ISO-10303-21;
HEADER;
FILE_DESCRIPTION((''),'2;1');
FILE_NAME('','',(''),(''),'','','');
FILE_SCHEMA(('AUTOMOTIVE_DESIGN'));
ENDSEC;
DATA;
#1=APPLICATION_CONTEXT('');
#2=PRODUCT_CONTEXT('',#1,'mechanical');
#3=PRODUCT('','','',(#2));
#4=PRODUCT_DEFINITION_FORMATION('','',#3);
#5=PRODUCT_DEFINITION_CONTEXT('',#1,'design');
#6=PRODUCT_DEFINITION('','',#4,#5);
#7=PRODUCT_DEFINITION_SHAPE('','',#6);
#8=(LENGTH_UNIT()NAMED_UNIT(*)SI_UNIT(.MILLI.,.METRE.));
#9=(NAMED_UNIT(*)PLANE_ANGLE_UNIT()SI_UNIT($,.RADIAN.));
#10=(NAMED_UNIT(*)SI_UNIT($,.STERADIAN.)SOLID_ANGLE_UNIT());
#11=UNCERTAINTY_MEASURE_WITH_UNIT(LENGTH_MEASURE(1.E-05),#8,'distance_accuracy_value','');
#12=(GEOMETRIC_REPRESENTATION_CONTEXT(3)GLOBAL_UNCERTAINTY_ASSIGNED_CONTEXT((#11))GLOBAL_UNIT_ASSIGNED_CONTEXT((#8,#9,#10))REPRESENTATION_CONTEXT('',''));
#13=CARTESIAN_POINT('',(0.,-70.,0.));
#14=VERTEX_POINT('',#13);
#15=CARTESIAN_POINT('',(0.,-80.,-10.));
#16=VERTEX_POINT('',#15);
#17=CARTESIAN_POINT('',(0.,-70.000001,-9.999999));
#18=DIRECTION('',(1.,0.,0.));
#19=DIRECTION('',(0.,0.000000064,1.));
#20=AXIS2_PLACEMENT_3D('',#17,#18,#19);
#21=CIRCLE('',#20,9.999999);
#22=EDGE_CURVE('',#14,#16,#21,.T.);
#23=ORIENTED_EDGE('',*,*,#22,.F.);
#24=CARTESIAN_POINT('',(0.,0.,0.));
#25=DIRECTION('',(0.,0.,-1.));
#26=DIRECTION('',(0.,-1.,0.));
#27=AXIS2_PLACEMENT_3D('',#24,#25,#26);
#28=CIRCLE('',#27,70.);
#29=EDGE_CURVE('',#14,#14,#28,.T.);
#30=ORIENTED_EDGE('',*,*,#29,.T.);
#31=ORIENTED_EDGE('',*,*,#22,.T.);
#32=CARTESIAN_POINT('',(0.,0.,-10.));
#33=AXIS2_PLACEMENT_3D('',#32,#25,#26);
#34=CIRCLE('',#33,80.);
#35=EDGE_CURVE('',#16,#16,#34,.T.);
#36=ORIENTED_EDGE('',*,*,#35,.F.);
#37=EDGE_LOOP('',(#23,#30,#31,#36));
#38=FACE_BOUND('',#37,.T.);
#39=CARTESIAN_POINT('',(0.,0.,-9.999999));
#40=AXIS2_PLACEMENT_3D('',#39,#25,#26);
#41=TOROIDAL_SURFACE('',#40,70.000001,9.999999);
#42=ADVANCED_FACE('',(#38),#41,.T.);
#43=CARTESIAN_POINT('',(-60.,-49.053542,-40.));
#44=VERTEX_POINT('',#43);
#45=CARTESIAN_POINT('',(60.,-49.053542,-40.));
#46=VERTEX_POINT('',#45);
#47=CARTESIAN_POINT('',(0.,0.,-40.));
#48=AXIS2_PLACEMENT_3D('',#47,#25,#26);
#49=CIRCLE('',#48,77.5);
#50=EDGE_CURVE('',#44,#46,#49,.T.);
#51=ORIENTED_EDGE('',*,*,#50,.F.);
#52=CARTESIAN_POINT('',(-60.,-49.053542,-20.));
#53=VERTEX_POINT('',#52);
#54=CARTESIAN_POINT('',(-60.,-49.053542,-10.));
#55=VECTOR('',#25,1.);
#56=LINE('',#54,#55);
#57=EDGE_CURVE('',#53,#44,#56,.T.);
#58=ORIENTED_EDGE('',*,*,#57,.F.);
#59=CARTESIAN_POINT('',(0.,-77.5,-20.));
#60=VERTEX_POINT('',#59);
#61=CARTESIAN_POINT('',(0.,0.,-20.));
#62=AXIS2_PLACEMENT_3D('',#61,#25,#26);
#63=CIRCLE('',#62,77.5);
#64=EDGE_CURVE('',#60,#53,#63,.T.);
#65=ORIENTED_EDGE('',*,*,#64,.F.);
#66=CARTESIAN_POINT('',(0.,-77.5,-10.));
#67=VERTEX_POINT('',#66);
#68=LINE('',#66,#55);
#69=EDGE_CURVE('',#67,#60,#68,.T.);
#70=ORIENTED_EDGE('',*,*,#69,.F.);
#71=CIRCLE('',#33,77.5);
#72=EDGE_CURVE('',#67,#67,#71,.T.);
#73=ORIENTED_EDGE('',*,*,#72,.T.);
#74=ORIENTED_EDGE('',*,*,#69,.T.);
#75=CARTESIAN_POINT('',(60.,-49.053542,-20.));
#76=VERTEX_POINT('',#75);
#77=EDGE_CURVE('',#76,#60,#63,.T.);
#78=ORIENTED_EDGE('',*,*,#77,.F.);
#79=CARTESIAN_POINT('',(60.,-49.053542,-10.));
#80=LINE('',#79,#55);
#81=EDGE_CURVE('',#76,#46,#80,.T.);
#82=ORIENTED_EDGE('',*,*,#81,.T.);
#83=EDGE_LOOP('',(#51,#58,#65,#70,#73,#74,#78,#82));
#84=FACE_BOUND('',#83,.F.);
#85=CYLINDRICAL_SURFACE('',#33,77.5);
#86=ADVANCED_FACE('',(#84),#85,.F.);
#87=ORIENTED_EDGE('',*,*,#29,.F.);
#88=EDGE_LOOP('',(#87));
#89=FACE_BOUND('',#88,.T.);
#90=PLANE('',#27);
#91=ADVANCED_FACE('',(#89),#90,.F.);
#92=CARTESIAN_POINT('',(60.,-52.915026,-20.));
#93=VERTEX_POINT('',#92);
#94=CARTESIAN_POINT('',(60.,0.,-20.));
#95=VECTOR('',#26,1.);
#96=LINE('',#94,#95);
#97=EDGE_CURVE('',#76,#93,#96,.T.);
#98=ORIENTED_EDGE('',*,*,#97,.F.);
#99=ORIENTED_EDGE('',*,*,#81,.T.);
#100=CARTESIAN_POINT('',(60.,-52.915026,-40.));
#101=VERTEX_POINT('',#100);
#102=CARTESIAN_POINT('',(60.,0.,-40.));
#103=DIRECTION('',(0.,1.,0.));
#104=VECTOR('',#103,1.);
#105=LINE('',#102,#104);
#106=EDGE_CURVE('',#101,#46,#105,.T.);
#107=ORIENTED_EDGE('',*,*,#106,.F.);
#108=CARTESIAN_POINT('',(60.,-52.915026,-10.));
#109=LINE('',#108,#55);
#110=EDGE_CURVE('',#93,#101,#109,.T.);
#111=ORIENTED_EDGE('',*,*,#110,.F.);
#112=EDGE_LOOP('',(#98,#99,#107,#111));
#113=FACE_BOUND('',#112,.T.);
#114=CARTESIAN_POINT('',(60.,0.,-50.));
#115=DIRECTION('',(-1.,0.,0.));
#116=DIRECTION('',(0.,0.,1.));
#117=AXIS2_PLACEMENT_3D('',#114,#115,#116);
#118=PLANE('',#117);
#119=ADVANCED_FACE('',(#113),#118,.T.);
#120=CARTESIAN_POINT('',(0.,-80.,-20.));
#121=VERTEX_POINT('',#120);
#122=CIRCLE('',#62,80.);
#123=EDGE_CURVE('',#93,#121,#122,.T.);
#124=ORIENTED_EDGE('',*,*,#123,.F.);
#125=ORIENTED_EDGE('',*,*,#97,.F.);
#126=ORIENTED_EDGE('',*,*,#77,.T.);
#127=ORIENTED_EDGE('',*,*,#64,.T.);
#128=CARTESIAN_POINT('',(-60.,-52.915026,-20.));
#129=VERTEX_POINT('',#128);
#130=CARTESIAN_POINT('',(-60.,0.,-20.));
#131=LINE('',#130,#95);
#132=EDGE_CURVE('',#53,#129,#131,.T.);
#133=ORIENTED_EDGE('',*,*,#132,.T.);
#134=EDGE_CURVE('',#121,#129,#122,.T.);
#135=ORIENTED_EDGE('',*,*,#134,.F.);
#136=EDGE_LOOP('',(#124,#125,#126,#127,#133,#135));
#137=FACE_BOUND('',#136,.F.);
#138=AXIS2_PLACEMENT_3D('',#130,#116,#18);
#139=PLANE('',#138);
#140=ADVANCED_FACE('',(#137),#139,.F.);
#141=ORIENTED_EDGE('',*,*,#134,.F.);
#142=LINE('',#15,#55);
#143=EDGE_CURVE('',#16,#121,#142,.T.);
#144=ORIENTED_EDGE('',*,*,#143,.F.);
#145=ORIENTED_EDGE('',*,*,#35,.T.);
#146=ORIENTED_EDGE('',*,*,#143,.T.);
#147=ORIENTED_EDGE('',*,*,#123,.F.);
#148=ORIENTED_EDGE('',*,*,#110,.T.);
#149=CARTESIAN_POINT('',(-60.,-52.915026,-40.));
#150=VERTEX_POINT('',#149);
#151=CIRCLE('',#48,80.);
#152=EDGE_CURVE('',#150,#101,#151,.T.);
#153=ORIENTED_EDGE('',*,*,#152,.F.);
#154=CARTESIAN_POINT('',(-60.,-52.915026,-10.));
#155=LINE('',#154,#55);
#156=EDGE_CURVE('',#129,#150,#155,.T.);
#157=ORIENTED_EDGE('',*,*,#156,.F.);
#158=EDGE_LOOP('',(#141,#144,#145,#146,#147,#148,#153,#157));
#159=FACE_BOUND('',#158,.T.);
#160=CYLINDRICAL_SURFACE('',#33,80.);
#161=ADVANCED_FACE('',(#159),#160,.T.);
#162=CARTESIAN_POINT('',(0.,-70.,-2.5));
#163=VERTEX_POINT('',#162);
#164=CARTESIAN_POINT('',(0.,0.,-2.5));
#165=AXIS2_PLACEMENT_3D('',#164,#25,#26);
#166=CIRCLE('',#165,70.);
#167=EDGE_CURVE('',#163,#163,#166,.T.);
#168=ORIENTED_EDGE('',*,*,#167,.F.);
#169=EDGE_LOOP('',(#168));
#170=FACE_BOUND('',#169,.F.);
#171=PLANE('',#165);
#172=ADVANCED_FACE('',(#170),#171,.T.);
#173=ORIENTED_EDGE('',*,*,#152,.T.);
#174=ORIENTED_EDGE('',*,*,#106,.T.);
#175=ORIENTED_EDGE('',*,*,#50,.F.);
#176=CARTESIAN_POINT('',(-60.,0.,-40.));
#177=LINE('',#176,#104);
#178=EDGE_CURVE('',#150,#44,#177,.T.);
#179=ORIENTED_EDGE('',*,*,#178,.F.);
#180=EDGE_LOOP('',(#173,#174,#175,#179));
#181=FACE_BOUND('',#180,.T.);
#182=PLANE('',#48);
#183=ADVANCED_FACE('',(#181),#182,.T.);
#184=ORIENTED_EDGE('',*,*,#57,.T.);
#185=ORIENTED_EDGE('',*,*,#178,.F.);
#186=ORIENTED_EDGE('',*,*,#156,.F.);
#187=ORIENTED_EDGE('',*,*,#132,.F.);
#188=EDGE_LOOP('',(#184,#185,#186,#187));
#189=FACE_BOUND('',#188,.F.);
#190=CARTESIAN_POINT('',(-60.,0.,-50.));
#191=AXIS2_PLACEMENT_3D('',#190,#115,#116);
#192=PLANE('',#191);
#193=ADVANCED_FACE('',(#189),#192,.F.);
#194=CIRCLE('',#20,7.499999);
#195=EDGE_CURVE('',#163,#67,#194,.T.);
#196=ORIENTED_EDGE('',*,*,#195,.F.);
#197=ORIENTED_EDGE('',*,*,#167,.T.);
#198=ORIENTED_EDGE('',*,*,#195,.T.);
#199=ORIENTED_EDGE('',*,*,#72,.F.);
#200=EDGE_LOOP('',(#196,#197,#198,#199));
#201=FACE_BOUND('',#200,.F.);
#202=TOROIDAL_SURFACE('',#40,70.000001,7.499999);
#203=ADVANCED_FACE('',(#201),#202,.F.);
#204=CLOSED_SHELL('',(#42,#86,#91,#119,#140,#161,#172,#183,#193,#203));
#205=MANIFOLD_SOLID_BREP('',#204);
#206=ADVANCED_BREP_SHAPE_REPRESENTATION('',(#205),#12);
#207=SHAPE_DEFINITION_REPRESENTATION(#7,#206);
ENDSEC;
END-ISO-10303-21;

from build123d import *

# Parameters (mm, degrees)
F2_T     = -2.5
F3_W     = 120
F3_H     = 30
F4_DEPTH = 100


with BuildPart() as f1:
    # F0 (on Right) → F1 (revolve)
    with BuildSketch(Plane.YZ):
        with BuildLine():
            Line((-80, -10), (-80, -40))
            Line((-80, -40), (0, -40))
            Line((0, -40), (0, 0))
            Line((0, 0), (-70, 0))
            ThreePointArc((-70, 0), (-77.071068, -2.928932), (-80, -10))
        make_face()
    revolve(axis=Axis((0, 0, -20), (0, 0, -1)))

    # F2
    f2_openings = [f1.faces().sort_by_distance(p)[0] for p in [
        (0, 0, -40),
    ]]
    offset(amount=F2_T, openings=f2_openings)

    # F3 (on Front) → F4 (cut)
    with BuildSketch(Plane.XZ):
        with Locations((0, -35)):
            Rectangle(F3_W, F3_H)
    extrude(amount=F4_DEPTH, mode=Mode.SUBTRACT)


solid = f1.part
